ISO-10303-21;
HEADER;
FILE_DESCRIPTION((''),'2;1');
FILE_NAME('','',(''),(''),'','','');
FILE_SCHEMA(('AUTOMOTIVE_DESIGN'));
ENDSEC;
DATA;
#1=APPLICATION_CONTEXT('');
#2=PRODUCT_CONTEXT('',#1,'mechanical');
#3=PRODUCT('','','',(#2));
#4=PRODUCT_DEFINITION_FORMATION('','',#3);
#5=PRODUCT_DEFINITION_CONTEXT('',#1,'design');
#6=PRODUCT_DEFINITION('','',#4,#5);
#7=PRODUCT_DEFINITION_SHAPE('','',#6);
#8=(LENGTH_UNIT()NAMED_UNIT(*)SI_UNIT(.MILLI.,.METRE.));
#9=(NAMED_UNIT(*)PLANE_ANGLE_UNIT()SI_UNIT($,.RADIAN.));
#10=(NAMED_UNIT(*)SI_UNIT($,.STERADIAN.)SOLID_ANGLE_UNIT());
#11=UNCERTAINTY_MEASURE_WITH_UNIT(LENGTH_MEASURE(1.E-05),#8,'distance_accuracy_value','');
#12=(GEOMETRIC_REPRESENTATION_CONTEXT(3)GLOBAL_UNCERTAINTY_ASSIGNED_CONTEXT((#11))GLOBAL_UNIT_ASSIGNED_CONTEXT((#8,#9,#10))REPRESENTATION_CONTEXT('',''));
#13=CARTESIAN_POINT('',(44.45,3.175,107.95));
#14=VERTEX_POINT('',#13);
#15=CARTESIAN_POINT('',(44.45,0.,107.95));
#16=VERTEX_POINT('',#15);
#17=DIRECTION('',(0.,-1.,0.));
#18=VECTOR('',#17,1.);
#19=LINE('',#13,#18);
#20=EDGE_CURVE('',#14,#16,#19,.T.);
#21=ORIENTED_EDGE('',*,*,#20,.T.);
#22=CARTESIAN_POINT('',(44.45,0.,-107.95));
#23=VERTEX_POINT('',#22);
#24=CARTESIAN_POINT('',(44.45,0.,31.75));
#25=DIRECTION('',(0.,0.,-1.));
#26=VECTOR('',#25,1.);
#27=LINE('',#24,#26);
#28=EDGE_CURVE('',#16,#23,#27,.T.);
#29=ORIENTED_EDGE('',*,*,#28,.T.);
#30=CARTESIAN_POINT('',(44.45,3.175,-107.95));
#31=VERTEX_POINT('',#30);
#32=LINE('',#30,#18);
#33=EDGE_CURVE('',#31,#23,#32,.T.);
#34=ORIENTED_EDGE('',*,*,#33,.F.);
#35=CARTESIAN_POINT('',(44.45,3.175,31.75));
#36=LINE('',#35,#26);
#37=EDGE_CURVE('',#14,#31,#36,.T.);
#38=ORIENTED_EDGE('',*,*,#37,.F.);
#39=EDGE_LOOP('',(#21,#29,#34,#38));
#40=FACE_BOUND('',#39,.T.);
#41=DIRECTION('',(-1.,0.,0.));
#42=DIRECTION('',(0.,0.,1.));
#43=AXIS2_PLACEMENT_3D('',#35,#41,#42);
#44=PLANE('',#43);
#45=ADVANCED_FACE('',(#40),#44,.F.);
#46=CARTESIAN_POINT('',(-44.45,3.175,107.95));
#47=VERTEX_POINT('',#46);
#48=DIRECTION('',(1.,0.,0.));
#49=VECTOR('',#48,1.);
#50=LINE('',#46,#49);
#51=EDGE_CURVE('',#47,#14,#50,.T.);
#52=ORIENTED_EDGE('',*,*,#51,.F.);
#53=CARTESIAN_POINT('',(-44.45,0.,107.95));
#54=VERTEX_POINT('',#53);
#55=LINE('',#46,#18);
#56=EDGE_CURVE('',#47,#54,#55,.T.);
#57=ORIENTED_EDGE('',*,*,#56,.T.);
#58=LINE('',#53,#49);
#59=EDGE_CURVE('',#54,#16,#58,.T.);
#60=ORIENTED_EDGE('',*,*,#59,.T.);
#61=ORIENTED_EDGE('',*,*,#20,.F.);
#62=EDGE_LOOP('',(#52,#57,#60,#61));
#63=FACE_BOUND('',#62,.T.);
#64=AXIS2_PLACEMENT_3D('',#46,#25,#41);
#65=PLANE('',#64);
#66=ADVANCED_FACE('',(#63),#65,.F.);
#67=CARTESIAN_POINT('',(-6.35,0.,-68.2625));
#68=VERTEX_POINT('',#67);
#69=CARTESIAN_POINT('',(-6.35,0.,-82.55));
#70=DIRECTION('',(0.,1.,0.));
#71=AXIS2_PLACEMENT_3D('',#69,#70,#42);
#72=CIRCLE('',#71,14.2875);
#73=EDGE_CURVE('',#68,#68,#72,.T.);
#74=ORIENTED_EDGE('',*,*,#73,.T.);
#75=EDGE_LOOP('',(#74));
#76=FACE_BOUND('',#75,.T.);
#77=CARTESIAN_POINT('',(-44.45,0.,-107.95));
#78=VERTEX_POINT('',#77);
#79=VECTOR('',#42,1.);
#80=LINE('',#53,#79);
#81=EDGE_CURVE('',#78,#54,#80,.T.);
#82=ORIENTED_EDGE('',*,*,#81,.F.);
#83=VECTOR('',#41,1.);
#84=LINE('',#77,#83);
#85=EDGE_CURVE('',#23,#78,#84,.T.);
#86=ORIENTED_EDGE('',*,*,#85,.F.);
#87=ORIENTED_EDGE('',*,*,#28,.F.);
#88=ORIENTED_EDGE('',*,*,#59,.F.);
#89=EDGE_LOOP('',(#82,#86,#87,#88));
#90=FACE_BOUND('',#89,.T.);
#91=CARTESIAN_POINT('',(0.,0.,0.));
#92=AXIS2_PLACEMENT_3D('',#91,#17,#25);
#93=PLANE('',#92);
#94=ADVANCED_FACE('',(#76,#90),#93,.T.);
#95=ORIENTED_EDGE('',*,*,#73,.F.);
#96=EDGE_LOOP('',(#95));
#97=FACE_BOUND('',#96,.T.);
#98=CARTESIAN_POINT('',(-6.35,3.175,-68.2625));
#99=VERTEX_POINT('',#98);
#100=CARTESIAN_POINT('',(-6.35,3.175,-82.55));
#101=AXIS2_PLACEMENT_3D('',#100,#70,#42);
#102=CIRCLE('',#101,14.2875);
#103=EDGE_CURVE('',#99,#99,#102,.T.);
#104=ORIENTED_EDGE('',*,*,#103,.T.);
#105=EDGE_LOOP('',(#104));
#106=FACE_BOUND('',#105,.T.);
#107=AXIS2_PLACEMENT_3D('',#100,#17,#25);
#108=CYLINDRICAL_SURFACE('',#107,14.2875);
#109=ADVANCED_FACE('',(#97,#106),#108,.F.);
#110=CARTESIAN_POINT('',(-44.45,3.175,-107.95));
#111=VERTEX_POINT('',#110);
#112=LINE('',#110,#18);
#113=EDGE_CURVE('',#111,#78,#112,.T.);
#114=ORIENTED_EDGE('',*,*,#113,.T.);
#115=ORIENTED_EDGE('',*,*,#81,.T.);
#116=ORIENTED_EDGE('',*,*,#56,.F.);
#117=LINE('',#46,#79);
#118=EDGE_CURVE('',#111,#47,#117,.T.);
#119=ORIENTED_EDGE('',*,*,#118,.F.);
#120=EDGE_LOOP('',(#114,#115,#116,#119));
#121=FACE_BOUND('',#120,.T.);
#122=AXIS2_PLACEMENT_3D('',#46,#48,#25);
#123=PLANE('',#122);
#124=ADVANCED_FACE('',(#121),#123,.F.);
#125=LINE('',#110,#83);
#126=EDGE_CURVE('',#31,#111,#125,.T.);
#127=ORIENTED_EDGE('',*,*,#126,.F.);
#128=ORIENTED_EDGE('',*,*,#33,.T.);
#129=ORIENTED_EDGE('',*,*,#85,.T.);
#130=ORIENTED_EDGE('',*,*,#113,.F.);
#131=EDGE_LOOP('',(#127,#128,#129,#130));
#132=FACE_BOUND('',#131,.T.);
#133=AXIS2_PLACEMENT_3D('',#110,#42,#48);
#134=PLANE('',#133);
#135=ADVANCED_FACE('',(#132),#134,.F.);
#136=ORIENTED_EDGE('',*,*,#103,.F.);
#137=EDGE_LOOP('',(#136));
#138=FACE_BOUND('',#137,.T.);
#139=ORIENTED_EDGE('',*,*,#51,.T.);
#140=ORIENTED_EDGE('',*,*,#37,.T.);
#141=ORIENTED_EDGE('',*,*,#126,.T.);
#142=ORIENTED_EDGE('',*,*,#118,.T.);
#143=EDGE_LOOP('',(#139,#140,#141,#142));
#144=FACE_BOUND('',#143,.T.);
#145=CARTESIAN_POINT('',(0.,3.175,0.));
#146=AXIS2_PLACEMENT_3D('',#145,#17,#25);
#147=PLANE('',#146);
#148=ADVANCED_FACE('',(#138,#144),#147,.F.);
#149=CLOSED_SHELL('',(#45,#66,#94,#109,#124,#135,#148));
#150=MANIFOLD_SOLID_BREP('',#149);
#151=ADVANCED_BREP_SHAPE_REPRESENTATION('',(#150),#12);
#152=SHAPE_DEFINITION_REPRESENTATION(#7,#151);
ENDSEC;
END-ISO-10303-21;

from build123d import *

# Parameters (mm, degrees)
SKETCH1_R           = 14.2875
BOSS_EXTRUDE1_DEPTH = 3.175


with BuildPart() as part:
    # Sketch1 → Boss-Extrude1 (new body)
    with BuildSketch(Plane(origin=(0, 0, 0), x_dir=(1, 0, 0), z_dir=(0, 1, 0))):
        Polygon((-44.45, -107.95), (44.45, -107.95), (44.45, -31.75), (44.45, 107.95), (-44.45, 107.95), align=None)
        with Locations(Location((-6.35, 82.55, 0), (0, 0, 270))):
            Circle(SKETCH1_R, mode=Mode.SUBTRACT)
    extrude(amount=BOSS_EXTRUDE1_DEPTH)


solid = part.part
